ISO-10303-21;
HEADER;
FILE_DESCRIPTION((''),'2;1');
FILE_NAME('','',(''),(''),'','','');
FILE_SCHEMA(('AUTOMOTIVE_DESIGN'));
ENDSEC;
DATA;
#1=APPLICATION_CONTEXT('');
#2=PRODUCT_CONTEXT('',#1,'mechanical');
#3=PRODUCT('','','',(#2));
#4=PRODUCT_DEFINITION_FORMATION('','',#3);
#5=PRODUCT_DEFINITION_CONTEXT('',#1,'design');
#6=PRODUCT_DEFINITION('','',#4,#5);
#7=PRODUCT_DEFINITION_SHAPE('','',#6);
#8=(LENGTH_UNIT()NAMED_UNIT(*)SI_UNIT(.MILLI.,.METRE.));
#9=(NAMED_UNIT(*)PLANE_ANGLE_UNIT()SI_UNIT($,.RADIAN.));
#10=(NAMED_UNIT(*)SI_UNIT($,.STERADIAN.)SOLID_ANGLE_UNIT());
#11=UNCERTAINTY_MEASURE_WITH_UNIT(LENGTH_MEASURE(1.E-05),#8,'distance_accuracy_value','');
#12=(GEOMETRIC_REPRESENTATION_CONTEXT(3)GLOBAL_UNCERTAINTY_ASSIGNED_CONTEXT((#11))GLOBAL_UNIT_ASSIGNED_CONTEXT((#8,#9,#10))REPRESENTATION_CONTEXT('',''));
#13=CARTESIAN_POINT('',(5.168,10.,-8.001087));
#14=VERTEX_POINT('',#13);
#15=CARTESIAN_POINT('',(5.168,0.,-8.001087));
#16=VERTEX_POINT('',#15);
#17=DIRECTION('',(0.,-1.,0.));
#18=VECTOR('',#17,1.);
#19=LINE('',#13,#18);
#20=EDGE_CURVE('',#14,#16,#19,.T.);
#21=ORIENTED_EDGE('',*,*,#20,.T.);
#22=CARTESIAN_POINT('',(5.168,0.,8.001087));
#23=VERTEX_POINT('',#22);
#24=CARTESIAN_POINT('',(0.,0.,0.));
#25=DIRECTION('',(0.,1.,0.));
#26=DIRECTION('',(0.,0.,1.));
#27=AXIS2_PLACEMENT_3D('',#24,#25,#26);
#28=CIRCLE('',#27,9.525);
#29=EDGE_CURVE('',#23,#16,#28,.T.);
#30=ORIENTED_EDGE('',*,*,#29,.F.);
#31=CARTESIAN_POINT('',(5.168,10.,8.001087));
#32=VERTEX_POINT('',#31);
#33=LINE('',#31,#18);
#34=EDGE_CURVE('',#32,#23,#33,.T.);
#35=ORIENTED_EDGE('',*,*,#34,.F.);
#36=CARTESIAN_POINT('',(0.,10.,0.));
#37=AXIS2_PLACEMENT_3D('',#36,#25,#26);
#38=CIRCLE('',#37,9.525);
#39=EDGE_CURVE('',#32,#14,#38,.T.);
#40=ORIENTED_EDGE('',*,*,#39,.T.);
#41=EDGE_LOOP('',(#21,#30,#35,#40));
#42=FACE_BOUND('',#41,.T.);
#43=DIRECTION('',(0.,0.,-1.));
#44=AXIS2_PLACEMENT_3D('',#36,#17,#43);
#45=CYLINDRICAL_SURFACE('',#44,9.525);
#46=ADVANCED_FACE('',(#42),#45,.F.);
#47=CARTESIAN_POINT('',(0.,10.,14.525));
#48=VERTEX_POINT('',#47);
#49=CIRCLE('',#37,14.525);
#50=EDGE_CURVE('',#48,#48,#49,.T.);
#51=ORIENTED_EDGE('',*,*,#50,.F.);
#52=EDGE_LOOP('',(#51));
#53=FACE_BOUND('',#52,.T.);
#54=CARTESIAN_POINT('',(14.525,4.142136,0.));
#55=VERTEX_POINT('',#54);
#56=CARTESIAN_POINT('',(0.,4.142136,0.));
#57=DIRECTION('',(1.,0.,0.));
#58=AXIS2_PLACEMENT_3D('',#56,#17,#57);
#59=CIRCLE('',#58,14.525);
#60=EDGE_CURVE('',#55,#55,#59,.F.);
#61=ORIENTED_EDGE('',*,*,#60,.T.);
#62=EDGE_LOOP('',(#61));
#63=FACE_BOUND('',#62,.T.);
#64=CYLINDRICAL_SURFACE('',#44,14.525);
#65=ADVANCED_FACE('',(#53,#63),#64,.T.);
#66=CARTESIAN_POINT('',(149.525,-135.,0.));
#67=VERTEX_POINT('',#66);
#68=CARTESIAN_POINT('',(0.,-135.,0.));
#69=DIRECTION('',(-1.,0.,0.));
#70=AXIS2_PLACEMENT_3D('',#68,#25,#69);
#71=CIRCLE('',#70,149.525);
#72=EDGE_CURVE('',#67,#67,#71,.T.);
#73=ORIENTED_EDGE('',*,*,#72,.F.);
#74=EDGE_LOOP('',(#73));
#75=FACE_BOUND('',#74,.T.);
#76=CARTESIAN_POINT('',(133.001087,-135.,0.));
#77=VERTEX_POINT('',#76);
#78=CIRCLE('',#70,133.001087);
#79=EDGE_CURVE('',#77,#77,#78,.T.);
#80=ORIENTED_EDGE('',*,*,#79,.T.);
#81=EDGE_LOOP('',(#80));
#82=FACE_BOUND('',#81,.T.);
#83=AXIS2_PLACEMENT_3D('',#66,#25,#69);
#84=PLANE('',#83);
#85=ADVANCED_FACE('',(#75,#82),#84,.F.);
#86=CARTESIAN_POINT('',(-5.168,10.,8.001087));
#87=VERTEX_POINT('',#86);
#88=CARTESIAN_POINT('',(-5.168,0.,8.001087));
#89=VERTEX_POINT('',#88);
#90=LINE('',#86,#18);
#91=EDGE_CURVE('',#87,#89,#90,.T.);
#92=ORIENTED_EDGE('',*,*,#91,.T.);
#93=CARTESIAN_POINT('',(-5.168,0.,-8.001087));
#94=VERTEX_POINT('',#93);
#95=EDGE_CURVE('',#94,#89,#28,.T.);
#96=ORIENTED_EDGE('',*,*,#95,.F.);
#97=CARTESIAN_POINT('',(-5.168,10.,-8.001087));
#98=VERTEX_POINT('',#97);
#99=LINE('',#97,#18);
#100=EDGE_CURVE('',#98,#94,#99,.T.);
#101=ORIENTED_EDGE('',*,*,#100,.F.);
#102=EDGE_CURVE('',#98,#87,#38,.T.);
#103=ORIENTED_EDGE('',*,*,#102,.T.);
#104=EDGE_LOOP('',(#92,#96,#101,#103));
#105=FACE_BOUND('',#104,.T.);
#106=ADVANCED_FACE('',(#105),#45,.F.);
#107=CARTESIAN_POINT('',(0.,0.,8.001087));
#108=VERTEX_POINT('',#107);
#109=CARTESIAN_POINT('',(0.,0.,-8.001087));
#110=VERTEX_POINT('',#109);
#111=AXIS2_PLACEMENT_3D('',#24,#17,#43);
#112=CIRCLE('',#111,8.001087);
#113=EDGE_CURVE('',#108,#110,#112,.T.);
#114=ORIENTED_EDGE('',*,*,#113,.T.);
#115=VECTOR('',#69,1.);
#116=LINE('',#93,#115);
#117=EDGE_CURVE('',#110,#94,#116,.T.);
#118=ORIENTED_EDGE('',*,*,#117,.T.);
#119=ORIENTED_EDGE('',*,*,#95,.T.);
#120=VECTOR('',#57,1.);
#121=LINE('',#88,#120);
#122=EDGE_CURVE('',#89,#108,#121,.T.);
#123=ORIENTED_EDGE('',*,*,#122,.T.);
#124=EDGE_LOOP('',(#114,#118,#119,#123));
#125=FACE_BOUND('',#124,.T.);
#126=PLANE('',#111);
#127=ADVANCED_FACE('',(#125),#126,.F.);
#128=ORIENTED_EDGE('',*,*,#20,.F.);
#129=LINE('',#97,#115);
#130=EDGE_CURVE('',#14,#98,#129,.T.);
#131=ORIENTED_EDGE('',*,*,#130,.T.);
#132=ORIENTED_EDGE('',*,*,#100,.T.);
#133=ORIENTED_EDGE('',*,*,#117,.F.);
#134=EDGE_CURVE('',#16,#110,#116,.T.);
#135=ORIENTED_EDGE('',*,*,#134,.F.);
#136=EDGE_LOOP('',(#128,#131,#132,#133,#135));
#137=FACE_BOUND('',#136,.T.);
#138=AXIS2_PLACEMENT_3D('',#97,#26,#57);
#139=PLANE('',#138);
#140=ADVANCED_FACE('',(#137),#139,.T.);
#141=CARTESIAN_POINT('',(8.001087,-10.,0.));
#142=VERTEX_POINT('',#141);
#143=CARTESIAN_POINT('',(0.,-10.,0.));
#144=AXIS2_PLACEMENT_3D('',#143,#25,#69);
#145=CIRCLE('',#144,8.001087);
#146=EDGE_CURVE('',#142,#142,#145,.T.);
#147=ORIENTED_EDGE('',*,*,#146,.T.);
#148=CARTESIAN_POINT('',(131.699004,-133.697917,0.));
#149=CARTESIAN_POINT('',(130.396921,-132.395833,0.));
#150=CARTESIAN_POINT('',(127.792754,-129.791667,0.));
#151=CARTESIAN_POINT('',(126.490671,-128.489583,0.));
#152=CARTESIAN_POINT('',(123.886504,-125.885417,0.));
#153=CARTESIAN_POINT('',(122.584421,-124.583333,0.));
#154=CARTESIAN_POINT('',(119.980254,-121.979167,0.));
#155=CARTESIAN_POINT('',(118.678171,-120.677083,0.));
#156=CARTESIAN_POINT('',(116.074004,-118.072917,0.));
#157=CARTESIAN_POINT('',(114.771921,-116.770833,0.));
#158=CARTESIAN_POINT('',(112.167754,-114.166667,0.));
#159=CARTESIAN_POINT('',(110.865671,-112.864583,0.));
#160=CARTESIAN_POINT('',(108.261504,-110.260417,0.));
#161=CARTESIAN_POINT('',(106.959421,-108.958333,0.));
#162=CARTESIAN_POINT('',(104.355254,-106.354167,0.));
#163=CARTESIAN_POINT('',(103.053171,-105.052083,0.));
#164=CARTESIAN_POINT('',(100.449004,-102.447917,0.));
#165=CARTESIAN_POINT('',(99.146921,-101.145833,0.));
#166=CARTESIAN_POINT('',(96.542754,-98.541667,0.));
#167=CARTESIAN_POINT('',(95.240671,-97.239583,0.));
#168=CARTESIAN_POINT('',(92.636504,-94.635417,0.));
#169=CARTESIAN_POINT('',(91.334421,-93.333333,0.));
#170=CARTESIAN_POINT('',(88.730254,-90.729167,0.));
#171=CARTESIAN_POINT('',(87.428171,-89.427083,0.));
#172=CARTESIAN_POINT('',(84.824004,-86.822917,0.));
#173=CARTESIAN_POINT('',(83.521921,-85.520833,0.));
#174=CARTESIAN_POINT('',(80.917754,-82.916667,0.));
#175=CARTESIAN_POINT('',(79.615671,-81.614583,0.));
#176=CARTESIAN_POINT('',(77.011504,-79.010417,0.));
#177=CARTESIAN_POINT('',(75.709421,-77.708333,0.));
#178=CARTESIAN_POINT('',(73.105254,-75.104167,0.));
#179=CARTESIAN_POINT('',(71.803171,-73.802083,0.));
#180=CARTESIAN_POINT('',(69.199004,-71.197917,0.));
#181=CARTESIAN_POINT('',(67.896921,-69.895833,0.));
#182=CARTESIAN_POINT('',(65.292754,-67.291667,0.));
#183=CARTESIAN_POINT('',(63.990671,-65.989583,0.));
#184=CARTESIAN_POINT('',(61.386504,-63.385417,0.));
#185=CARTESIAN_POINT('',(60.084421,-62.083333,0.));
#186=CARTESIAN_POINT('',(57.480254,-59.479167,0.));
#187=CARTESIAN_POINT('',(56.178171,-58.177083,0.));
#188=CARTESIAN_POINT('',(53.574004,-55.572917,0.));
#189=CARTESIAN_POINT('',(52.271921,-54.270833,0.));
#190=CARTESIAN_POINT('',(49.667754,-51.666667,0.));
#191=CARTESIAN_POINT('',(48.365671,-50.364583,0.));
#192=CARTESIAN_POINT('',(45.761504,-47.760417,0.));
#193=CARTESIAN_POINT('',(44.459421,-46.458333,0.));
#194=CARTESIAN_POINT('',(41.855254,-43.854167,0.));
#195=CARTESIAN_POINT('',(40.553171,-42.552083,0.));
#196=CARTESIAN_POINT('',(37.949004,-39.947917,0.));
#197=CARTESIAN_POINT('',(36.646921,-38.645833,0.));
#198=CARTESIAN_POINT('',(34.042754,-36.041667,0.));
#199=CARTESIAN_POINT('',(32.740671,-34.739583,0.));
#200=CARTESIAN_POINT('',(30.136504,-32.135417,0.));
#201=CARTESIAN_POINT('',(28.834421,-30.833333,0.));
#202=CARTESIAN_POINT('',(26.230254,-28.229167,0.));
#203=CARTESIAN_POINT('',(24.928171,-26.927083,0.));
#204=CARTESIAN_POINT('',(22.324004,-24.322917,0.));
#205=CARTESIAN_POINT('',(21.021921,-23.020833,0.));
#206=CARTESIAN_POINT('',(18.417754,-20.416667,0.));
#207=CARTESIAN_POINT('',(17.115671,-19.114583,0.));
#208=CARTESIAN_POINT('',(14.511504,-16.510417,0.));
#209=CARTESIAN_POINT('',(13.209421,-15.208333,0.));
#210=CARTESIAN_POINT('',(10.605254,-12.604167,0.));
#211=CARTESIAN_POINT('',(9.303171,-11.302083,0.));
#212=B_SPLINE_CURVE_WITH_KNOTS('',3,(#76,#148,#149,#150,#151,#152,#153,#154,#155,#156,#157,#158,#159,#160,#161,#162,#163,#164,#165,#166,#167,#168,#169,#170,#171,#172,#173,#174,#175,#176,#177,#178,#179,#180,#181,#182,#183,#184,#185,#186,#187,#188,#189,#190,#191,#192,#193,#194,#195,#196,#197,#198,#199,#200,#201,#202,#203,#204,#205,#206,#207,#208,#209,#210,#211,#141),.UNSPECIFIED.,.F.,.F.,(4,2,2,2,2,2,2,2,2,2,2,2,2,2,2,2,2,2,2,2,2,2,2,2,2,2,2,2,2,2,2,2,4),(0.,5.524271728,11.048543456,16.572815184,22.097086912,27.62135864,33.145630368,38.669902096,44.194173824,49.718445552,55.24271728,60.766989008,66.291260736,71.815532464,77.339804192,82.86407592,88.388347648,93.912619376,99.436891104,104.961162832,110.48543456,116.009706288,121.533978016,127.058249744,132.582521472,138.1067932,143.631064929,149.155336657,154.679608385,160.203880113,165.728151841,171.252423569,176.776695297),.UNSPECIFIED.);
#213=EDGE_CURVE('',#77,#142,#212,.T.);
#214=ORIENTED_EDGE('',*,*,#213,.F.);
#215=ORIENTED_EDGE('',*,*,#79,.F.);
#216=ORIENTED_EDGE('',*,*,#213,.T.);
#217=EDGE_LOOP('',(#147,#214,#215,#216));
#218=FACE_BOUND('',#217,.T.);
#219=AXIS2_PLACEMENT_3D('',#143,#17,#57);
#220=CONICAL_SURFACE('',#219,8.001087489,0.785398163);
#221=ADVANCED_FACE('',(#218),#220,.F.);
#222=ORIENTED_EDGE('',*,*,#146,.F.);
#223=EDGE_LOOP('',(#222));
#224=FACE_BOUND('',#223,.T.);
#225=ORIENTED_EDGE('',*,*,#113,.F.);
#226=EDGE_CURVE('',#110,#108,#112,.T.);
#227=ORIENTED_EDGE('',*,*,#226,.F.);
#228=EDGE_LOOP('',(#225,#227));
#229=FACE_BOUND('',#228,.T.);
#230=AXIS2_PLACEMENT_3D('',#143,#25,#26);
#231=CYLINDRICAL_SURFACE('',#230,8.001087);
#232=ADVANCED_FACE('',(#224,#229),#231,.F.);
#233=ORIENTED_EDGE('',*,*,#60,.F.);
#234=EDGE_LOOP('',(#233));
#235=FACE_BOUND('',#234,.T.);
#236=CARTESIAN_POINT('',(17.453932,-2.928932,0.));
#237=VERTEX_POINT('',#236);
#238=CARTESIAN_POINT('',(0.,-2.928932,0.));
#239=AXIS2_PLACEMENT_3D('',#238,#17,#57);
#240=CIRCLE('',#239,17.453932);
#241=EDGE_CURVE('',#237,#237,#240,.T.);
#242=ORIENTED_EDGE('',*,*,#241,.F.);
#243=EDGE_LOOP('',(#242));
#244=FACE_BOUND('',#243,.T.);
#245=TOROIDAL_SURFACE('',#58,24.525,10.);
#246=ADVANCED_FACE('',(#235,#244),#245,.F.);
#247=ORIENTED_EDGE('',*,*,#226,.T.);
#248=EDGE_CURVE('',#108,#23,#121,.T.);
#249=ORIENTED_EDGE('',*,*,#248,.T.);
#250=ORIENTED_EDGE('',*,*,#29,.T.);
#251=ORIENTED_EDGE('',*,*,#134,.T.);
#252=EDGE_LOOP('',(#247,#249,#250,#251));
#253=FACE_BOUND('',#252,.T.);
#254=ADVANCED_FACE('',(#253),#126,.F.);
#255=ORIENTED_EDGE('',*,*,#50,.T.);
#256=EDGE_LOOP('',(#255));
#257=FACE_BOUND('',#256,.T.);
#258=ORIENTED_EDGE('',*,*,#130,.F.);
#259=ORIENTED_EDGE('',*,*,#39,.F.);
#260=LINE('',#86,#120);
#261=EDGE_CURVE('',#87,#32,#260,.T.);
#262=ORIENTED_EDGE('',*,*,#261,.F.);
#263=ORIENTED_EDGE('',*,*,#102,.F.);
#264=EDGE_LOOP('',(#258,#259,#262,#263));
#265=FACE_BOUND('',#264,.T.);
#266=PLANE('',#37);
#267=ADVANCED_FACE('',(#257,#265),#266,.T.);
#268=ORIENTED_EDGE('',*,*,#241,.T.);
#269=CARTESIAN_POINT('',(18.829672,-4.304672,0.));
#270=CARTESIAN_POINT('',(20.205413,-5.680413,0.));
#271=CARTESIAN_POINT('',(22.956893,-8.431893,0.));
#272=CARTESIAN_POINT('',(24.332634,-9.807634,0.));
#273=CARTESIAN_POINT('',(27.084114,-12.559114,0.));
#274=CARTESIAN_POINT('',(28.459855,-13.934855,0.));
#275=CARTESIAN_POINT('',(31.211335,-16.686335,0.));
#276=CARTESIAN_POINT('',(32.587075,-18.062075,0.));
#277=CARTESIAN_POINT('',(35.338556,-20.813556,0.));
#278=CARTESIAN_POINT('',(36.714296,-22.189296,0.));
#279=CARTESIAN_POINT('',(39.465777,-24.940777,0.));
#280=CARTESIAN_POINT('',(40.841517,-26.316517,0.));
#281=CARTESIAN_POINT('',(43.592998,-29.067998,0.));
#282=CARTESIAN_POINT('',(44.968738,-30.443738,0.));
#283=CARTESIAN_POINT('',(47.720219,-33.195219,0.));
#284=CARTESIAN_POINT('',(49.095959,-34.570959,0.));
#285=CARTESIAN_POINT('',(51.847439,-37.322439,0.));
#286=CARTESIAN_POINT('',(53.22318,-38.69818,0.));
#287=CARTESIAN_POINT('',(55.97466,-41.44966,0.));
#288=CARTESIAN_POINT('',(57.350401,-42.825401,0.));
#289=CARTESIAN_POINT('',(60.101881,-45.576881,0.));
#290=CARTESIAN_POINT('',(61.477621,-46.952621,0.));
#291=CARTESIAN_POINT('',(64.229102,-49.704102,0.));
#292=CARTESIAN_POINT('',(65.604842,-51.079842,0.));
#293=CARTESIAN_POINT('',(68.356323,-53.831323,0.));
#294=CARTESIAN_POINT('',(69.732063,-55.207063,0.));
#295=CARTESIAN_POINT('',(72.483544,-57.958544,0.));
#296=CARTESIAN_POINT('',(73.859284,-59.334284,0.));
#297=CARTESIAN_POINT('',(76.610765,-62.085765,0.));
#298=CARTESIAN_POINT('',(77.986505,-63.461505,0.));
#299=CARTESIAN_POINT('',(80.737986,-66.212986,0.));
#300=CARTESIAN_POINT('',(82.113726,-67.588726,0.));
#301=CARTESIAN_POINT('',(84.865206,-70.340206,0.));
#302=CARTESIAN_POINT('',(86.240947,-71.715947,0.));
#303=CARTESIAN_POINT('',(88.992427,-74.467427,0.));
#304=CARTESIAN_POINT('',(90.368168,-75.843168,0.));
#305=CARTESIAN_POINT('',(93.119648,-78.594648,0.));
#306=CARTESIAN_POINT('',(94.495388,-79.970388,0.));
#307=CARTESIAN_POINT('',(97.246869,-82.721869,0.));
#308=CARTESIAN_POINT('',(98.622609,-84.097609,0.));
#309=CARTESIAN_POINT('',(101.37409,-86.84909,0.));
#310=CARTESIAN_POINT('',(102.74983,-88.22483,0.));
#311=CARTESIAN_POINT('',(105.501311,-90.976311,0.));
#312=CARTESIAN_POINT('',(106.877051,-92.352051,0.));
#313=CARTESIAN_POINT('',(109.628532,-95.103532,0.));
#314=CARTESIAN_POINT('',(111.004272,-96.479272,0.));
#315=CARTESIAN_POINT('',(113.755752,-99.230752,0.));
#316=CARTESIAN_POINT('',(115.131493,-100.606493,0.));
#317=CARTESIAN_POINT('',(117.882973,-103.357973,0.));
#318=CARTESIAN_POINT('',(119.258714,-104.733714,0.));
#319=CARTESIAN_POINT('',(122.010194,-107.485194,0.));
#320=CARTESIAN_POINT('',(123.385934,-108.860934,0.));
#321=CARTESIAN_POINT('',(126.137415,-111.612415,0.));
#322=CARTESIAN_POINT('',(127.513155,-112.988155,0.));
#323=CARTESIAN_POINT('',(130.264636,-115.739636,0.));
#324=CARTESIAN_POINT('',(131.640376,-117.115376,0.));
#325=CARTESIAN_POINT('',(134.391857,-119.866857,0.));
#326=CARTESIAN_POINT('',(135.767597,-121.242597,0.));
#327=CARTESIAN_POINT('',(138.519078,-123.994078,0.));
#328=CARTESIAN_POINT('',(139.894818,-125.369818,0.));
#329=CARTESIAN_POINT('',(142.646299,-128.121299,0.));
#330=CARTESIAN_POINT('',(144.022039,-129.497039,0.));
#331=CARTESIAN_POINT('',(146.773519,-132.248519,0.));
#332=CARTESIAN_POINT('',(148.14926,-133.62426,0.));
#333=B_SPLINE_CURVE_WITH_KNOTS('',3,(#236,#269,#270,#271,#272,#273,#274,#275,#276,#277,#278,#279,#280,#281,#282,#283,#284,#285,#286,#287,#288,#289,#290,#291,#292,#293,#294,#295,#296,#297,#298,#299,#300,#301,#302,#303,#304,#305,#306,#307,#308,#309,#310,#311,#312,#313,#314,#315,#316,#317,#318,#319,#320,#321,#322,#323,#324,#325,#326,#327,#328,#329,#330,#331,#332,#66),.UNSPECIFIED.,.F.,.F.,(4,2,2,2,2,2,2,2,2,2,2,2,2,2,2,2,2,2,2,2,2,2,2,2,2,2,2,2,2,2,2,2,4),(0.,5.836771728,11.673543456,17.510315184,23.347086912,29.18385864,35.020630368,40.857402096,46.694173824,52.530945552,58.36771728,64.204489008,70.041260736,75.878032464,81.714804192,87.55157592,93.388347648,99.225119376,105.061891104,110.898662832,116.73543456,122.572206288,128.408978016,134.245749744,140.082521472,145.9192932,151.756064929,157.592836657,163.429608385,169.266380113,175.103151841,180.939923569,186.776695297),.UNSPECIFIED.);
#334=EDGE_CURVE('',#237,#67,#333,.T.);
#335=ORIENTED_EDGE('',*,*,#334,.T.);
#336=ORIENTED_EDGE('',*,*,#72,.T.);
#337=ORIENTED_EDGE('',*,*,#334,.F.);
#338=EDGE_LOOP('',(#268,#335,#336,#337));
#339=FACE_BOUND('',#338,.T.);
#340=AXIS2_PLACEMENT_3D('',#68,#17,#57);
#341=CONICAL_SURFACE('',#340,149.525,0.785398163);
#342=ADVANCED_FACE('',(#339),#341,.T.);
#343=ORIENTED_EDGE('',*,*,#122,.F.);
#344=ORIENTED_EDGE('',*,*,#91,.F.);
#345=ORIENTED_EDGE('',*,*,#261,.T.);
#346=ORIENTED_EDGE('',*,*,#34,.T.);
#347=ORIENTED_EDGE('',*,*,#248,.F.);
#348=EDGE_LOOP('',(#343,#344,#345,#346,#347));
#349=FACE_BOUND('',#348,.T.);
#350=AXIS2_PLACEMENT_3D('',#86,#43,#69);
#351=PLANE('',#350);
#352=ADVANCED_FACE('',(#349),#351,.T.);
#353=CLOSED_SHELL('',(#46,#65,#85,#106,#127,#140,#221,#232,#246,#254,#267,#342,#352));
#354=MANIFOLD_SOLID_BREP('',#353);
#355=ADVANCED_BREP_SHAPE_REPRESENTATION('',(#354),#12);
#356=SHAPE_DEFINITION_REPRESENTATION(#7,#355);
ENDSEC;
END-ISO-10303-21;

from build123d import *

# Parameters (mm, degrees)
SKETCH1_R                                   = 14.525
KEYED_PORTION_ADAPTER_DEPTH                 = 10
STOPPER_START                               = 10
SKETCH2_R                                   = 14.525
SKETCH2_R_2                                 = 8.001087489
STOPPER_ON_THREADED_PORTION_OF_PISTON_DEPTH = 10
PISTON_HOLDER_TO_CONICAL_BASE_ADAPTER_R     = 10


with BuildPart() as part:
    # Sketch1 → Keyed portion adapter (new body)
    with BuildSketch(Plane(origin=(0, 0, 0), x_dir=(1, 0, 0), z_dir=(0, 1, 0))):
        with Locations(Location((0, 0, 0), (0, 0, 270))):
            Circle(SKETCH1_R)
        with BuildLine():
            Line((-5.168, 8.001087489), (5.168, 8.001087489))
            ThreePointArc((5.168, 8.001087489), (9.525, 0), (5.168, -8.001087489))
            Line((5.168, -8.001087489), (-5.168, -8.001087489))
            ThreePointArc((-5.168, -8.001087489), (-9.525, 0), (-5.168, 8.001087489))
        make_face(mode=Mode.SUBTRACT)
    extrude(amount=KEYED_PORTION_ADAPTER_DEPTH)

    # Sketch2 → Stopper (on threaded portion of piston) (add)
    with BuildSketch(Plane.XZ.offset(STOPPER_START)):
        with Locations(Location((0, 0, 0), (0, 0, 270))):
            Circle(SKETCH2_R)
        with Locations(Location((0, 0, 0), (0, 0, 270))):
            Circle(SKETCH2_R_2, mode=Mode.SUBTRACT)
    extrude(amount=-STOPPER_ON_THREADED_PORTION_OF_PISTON_DEPTH)

    # Sketch3 → Conical base (revolve)
    with BuildSketch(Plane.XY):
        Polygon((8.001087489, -10), (8.001087489, 0), (14.525, 0), (149.525, -135), (133.001087489, -135), align=None)
    revolve(axis=Axis((0, 0, 0), (0, -1, 0)))

    # Piston holder to conical base adapter
    piston_holder_to_conical_base_adapter_edges = [part.edges().sort_by_distance(p)[0] for p in [
        (-10.270725997, 0, -10.270725997),
    ]]
    fillet(piston_holder_to_conical_base_adapter_edges, radius=PISTON_HOLDER_TO_CONICAL_BASE_ADAPTER_R)


solid = part.part
